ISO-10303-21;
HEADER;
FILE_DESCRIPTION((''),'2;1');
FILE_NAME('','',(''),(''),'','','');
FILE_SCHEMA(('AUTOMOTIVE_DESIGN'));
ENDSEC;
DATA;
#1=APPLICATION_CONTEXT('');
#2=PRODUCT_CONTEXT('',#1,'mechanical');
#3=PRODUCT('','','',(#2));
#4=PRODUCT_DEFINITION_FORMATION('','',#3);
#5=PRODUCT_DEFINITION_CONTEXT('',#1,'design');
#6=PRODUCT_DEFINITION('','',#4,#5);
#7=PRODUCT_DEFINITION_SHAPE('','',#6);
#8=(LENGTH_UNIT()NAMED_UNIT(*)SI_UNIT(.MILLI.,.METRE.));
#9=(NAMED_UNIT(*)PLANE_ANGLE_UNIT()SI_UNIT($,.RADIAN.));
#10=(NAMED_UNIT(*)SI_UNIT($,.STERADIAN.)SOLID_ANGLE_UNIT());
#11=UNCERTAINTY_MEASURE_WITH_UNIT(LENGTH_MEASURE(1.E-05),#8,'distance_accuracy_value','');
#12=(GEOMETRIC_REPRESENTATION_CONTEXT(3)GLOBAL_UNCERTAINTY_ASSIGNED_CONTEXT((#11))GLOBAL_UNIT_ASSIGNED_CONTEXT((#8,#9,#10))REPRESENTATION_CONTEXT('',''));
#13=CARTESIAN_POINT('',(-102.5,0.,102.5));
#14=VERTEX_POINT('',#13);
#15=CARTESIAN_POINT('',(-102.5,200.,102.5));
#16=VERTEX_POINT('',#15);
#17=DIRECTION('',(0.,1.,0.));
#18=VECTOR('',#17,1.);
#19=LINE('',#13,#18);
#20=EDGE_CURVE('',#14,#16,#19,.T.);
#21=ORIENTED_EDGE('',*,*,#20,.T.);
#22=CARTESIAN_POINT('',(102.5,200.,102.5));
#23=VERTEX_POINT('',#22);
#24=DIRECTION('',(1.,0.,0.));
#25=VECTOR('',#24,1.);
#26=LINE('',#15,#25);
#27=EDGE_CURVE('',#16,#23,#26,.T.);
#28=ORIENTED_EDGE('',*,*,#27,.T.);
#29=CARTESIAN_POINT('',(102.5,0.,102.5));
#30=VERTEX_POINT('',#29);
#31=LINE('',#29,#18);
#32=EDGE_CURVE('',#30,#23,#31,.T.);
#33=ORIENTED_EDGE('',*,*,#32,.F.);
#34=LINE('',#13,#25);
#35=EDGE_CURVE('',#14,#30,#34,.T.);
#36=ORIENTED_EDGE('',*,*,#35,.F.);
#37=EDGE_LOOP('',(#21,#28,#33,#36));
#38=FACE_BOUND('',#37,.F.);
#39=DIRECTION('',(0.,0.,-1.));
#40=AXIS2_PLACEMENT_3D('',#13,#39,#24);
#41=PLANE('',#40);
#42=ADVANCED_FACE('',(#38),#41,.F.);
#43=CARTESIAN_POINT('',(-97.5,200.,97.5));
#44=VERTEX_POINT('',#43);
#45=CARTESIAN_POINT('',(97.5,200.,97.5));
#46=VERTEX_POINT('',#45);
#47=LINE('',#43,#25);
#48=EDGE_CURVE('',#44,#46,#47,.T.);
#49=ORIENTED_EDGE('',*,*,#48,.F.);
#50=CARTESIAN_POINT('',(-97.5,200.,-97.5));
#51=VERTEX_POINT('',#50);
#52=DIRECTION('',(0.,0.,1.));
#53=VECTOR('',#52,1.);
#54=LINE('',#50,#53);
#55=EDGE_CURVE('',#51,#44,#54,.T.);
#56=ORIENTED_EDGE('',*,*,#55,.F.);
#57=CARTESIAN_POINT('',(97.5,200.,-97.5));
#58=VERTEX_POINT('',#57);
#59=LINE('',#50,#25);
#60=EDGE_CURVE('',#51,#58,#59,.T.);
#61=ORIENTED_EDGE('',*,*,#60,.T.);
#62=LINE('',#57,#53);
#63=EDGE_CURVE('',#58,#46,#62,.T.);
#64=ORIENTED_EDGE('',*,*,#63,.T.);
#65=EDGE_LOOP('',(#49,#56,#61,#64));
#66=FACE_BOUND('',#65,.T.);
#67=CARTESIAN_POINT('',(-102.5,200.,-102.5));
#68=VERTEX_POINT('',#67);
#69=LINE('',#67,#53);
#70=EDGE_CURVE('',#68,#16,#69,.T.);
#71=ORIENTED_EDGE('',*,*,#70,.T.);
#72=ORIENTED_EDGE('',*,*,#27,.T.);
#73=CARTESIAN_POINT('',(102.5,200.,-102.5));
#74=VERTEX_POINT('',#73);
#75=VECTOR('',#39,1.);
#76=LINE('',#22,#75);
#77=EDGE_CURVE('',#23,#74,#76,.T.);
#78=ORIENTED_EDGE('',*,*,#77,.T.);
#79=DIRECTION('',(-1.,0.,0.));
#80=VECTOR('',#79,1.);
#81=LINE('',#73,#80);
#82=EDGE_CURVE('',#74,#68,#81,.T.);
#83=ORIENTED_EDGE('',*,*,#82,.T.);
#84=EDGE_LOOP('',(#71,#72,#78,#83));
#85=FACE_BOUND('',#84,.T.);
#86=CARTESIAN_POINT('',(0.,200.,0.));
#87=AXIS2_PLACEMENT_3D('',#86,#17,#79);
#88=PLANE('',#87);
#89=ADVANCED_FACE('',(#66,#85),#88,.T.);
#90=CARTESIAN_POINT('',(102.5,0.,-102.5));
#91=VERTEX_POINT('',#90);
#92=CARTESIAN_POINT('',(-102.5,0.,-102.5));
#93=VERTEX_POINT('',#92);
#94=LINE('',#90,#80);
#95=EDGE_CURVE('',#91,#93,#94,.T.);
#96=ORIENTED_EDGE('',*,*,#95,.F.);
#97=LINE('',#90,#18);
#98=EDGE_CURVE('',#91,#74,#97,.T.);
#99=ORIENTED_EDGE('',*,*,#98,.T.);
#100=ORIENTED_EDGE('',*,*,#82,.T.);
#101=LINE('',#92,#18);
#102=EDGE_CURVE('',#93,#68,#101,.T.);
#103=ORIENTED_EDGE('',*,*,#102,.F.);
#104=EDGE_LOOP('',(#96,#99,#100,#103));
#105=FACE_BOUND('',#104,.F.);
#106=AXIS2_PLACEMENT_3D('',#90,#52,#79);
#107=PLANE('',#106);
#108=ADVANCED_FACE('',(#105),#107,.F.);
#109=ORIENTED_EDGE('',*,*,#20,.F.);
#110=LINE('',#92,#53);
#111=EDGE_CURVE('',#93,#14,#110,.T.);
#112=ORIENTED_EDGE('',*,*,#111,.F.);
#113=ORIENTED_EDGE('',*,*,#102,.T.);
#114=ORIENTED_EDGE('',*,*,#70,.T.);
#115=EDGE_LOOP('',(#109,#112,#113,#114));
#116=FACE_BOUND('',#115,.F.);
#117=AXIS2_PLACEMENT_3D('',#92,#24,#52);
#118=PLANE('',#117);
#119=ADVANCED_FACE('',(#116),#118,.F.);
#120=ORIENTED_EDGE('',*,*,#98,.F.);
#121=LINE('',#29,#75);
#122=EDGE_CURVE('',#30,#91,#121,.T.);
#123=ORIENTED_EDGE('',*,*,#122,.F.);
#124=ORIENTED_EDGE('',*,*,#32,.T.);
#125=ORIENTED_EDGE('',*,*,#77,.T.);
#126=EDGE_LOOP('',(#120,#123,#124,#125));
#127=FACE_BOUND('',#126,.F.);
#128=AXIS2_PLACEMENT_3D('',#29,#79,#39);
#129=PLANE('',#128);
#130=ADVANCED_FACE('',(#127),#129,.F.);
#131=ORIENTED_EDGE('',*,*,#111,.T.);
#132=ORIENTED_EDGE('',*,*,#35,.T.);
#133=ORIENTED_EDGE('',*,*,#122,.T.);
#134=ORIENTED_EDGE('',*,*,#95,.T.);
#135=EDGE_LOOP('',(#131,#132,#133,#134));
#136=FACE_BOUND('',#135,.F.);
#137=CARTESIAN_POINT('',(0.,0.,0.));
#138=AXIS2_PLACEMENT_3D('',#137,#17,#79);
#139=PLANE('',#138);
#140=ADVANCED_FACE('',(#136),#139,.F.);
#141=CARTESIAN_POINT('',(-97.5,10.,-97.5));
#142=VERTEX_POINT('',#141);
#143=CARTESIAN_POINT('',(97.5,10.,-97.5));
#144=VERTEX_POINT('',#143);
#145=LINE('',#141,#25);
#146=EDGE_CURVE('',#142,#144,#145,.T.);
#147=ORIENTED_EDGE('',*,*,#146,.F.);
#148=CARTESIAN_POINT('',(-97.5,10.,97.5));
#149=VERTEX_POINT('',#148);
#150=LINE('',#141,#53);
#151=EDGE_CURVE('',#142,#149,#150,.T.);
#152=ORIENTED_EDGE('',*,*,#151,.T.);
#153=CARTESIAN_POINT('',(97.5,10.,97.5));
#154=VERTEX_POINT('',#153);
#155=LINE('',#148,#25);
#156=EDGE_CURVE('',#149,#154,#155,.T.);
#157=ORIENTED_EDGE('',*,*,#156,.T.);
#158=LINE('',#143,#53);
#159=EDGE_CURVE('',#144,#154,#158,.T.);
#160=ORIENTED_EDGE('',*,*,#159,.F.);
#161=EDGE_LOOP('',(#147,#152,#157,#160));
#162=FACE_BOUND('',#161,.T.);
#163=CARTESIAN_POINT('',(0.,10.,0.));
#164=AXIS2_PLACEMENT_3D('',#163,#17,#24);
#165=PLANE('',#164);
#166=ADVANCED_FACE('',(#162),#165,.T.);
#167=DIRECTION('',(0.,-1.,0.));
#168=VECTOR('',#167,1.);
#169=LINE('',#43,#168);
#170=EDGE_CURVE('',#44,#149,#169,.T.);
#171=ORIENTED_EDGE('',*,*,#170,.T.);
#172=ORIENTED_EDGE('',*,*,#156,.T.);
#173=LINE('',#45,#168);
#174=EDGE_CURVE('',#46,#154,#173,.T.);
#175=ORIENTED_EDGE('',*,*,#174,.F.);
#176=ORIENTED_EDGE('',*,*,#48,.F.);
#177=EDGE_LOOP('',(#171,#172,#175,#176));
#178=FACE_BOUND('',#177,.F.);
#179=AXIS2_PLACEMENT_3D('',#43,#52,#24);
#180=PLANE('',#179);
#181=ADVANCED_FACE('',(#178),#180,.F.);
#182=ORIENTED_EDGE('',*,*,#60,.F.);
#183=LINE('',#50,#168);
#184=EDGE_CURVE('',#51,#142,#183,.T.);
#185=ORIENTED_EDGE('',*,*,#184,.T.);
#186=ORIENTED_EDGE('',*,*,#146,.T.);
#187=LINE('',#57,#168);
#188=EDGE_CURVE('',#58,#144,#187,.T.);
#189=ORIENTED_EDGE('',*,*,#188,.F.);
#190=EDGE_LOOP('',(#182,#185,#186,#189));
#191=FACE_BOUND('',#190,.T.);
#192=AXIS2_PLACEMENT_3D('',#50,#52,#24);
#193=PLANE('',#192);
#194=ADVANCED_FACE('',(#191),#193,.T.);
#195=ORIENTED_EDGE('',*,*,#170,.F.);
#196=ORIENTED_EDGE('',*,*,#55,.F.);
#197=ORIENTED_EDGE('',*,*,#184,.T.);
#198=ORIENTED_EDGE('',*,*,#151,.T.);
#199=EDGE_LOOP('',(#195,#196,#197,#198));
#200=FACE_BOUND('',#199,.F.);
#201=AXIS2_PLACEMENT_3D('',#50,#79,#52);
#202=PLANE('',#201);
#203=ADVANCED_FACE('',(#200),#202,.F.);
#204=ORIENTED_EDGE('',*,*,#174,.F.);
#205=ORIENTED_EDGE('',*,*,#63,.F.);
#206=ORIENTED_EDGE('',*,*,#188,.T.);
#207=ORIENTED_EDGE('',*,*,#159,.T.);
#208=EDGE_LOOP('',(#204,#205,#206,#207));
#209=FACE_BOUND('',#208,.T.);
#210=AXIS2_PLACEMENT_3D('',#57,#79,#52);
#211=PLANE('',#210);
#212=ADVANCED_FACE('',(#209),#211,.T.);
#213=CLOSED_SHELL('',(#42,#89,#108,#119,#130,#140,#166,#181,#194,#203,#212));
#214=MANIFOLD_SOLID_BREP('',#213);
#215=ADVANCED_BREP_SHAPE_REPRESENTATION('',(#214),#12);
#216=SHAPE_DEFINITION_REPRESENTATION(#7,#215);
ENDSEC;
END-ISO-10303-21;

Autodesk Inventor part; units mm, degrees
ref_plane "YZ Plane" through (0, 0, 0) normal (1, 0, 0) x (0, 1, 0)
ref_plane "XZ Plane" through (0, 0, 0) normal (0, 1, 0) x (-1, 0, 0)
ref_plane "XY Plane" through (0, 0, 0) normal (0, 0, 1) x (1, 0, 0)
sketch "Esboço1" plane through (0, 0, 0) normal (0, 1, 0) x (-1, 0, 0)
  line L0 (102.5, 102.5) -> (-102.5, 102.5)
  line L1 (-102.5, 102.5) -> (-102.5, -102.5)
  line L2 (-102.5, -102.5) -> (102.5, -102.5)
  line L3 (102.5, -102.5) -> (102.5, 102.5)
  point P0 (0, 0)
  dimension "d0" = 205
  dimension "d1" = 205
  dimension "d2" = 102.5
  dimension "d3" = 102.5
extrude "Extrusão1" add sketch "Esboço1" along normal blind 200
sketch "Esboço2" plane through (0, 200, 0) normal (0, 1, 0) x (1, 0, 0)
  line L0 (-97.5, 97.5) -> (-97.5, -97.5)
  line L1 (-97.5, -97.5) -> (97.5, -97.5)
  line L2 (-97.5, 97.5) -> (97.5, 97.5)
  line L3 (97.5, 97.5) -> (97.5, -97.5)
  line L4 (-102.5, 102.5) -> (-102.5, -102.5) projected
  line L5 (102.5, 102.5) -> (-102.5, 102.5) projected
  line L6 (-102.5, -102.5) -> (102.5, -102.5) projected
  line L7 (102.5, -102.5) -> (102.5, 102.5) projected
  point P0 (0, 0)
  dimension "d6" = 5
  dimension "d7" = 5
  dimension "d8" = 5
  dimension "d9" = 5
extrude "Extrusão2" cut sketch "Esboço2" against normal blind 190 contours L2 L3 L1 L0
properties part number "vaso"
